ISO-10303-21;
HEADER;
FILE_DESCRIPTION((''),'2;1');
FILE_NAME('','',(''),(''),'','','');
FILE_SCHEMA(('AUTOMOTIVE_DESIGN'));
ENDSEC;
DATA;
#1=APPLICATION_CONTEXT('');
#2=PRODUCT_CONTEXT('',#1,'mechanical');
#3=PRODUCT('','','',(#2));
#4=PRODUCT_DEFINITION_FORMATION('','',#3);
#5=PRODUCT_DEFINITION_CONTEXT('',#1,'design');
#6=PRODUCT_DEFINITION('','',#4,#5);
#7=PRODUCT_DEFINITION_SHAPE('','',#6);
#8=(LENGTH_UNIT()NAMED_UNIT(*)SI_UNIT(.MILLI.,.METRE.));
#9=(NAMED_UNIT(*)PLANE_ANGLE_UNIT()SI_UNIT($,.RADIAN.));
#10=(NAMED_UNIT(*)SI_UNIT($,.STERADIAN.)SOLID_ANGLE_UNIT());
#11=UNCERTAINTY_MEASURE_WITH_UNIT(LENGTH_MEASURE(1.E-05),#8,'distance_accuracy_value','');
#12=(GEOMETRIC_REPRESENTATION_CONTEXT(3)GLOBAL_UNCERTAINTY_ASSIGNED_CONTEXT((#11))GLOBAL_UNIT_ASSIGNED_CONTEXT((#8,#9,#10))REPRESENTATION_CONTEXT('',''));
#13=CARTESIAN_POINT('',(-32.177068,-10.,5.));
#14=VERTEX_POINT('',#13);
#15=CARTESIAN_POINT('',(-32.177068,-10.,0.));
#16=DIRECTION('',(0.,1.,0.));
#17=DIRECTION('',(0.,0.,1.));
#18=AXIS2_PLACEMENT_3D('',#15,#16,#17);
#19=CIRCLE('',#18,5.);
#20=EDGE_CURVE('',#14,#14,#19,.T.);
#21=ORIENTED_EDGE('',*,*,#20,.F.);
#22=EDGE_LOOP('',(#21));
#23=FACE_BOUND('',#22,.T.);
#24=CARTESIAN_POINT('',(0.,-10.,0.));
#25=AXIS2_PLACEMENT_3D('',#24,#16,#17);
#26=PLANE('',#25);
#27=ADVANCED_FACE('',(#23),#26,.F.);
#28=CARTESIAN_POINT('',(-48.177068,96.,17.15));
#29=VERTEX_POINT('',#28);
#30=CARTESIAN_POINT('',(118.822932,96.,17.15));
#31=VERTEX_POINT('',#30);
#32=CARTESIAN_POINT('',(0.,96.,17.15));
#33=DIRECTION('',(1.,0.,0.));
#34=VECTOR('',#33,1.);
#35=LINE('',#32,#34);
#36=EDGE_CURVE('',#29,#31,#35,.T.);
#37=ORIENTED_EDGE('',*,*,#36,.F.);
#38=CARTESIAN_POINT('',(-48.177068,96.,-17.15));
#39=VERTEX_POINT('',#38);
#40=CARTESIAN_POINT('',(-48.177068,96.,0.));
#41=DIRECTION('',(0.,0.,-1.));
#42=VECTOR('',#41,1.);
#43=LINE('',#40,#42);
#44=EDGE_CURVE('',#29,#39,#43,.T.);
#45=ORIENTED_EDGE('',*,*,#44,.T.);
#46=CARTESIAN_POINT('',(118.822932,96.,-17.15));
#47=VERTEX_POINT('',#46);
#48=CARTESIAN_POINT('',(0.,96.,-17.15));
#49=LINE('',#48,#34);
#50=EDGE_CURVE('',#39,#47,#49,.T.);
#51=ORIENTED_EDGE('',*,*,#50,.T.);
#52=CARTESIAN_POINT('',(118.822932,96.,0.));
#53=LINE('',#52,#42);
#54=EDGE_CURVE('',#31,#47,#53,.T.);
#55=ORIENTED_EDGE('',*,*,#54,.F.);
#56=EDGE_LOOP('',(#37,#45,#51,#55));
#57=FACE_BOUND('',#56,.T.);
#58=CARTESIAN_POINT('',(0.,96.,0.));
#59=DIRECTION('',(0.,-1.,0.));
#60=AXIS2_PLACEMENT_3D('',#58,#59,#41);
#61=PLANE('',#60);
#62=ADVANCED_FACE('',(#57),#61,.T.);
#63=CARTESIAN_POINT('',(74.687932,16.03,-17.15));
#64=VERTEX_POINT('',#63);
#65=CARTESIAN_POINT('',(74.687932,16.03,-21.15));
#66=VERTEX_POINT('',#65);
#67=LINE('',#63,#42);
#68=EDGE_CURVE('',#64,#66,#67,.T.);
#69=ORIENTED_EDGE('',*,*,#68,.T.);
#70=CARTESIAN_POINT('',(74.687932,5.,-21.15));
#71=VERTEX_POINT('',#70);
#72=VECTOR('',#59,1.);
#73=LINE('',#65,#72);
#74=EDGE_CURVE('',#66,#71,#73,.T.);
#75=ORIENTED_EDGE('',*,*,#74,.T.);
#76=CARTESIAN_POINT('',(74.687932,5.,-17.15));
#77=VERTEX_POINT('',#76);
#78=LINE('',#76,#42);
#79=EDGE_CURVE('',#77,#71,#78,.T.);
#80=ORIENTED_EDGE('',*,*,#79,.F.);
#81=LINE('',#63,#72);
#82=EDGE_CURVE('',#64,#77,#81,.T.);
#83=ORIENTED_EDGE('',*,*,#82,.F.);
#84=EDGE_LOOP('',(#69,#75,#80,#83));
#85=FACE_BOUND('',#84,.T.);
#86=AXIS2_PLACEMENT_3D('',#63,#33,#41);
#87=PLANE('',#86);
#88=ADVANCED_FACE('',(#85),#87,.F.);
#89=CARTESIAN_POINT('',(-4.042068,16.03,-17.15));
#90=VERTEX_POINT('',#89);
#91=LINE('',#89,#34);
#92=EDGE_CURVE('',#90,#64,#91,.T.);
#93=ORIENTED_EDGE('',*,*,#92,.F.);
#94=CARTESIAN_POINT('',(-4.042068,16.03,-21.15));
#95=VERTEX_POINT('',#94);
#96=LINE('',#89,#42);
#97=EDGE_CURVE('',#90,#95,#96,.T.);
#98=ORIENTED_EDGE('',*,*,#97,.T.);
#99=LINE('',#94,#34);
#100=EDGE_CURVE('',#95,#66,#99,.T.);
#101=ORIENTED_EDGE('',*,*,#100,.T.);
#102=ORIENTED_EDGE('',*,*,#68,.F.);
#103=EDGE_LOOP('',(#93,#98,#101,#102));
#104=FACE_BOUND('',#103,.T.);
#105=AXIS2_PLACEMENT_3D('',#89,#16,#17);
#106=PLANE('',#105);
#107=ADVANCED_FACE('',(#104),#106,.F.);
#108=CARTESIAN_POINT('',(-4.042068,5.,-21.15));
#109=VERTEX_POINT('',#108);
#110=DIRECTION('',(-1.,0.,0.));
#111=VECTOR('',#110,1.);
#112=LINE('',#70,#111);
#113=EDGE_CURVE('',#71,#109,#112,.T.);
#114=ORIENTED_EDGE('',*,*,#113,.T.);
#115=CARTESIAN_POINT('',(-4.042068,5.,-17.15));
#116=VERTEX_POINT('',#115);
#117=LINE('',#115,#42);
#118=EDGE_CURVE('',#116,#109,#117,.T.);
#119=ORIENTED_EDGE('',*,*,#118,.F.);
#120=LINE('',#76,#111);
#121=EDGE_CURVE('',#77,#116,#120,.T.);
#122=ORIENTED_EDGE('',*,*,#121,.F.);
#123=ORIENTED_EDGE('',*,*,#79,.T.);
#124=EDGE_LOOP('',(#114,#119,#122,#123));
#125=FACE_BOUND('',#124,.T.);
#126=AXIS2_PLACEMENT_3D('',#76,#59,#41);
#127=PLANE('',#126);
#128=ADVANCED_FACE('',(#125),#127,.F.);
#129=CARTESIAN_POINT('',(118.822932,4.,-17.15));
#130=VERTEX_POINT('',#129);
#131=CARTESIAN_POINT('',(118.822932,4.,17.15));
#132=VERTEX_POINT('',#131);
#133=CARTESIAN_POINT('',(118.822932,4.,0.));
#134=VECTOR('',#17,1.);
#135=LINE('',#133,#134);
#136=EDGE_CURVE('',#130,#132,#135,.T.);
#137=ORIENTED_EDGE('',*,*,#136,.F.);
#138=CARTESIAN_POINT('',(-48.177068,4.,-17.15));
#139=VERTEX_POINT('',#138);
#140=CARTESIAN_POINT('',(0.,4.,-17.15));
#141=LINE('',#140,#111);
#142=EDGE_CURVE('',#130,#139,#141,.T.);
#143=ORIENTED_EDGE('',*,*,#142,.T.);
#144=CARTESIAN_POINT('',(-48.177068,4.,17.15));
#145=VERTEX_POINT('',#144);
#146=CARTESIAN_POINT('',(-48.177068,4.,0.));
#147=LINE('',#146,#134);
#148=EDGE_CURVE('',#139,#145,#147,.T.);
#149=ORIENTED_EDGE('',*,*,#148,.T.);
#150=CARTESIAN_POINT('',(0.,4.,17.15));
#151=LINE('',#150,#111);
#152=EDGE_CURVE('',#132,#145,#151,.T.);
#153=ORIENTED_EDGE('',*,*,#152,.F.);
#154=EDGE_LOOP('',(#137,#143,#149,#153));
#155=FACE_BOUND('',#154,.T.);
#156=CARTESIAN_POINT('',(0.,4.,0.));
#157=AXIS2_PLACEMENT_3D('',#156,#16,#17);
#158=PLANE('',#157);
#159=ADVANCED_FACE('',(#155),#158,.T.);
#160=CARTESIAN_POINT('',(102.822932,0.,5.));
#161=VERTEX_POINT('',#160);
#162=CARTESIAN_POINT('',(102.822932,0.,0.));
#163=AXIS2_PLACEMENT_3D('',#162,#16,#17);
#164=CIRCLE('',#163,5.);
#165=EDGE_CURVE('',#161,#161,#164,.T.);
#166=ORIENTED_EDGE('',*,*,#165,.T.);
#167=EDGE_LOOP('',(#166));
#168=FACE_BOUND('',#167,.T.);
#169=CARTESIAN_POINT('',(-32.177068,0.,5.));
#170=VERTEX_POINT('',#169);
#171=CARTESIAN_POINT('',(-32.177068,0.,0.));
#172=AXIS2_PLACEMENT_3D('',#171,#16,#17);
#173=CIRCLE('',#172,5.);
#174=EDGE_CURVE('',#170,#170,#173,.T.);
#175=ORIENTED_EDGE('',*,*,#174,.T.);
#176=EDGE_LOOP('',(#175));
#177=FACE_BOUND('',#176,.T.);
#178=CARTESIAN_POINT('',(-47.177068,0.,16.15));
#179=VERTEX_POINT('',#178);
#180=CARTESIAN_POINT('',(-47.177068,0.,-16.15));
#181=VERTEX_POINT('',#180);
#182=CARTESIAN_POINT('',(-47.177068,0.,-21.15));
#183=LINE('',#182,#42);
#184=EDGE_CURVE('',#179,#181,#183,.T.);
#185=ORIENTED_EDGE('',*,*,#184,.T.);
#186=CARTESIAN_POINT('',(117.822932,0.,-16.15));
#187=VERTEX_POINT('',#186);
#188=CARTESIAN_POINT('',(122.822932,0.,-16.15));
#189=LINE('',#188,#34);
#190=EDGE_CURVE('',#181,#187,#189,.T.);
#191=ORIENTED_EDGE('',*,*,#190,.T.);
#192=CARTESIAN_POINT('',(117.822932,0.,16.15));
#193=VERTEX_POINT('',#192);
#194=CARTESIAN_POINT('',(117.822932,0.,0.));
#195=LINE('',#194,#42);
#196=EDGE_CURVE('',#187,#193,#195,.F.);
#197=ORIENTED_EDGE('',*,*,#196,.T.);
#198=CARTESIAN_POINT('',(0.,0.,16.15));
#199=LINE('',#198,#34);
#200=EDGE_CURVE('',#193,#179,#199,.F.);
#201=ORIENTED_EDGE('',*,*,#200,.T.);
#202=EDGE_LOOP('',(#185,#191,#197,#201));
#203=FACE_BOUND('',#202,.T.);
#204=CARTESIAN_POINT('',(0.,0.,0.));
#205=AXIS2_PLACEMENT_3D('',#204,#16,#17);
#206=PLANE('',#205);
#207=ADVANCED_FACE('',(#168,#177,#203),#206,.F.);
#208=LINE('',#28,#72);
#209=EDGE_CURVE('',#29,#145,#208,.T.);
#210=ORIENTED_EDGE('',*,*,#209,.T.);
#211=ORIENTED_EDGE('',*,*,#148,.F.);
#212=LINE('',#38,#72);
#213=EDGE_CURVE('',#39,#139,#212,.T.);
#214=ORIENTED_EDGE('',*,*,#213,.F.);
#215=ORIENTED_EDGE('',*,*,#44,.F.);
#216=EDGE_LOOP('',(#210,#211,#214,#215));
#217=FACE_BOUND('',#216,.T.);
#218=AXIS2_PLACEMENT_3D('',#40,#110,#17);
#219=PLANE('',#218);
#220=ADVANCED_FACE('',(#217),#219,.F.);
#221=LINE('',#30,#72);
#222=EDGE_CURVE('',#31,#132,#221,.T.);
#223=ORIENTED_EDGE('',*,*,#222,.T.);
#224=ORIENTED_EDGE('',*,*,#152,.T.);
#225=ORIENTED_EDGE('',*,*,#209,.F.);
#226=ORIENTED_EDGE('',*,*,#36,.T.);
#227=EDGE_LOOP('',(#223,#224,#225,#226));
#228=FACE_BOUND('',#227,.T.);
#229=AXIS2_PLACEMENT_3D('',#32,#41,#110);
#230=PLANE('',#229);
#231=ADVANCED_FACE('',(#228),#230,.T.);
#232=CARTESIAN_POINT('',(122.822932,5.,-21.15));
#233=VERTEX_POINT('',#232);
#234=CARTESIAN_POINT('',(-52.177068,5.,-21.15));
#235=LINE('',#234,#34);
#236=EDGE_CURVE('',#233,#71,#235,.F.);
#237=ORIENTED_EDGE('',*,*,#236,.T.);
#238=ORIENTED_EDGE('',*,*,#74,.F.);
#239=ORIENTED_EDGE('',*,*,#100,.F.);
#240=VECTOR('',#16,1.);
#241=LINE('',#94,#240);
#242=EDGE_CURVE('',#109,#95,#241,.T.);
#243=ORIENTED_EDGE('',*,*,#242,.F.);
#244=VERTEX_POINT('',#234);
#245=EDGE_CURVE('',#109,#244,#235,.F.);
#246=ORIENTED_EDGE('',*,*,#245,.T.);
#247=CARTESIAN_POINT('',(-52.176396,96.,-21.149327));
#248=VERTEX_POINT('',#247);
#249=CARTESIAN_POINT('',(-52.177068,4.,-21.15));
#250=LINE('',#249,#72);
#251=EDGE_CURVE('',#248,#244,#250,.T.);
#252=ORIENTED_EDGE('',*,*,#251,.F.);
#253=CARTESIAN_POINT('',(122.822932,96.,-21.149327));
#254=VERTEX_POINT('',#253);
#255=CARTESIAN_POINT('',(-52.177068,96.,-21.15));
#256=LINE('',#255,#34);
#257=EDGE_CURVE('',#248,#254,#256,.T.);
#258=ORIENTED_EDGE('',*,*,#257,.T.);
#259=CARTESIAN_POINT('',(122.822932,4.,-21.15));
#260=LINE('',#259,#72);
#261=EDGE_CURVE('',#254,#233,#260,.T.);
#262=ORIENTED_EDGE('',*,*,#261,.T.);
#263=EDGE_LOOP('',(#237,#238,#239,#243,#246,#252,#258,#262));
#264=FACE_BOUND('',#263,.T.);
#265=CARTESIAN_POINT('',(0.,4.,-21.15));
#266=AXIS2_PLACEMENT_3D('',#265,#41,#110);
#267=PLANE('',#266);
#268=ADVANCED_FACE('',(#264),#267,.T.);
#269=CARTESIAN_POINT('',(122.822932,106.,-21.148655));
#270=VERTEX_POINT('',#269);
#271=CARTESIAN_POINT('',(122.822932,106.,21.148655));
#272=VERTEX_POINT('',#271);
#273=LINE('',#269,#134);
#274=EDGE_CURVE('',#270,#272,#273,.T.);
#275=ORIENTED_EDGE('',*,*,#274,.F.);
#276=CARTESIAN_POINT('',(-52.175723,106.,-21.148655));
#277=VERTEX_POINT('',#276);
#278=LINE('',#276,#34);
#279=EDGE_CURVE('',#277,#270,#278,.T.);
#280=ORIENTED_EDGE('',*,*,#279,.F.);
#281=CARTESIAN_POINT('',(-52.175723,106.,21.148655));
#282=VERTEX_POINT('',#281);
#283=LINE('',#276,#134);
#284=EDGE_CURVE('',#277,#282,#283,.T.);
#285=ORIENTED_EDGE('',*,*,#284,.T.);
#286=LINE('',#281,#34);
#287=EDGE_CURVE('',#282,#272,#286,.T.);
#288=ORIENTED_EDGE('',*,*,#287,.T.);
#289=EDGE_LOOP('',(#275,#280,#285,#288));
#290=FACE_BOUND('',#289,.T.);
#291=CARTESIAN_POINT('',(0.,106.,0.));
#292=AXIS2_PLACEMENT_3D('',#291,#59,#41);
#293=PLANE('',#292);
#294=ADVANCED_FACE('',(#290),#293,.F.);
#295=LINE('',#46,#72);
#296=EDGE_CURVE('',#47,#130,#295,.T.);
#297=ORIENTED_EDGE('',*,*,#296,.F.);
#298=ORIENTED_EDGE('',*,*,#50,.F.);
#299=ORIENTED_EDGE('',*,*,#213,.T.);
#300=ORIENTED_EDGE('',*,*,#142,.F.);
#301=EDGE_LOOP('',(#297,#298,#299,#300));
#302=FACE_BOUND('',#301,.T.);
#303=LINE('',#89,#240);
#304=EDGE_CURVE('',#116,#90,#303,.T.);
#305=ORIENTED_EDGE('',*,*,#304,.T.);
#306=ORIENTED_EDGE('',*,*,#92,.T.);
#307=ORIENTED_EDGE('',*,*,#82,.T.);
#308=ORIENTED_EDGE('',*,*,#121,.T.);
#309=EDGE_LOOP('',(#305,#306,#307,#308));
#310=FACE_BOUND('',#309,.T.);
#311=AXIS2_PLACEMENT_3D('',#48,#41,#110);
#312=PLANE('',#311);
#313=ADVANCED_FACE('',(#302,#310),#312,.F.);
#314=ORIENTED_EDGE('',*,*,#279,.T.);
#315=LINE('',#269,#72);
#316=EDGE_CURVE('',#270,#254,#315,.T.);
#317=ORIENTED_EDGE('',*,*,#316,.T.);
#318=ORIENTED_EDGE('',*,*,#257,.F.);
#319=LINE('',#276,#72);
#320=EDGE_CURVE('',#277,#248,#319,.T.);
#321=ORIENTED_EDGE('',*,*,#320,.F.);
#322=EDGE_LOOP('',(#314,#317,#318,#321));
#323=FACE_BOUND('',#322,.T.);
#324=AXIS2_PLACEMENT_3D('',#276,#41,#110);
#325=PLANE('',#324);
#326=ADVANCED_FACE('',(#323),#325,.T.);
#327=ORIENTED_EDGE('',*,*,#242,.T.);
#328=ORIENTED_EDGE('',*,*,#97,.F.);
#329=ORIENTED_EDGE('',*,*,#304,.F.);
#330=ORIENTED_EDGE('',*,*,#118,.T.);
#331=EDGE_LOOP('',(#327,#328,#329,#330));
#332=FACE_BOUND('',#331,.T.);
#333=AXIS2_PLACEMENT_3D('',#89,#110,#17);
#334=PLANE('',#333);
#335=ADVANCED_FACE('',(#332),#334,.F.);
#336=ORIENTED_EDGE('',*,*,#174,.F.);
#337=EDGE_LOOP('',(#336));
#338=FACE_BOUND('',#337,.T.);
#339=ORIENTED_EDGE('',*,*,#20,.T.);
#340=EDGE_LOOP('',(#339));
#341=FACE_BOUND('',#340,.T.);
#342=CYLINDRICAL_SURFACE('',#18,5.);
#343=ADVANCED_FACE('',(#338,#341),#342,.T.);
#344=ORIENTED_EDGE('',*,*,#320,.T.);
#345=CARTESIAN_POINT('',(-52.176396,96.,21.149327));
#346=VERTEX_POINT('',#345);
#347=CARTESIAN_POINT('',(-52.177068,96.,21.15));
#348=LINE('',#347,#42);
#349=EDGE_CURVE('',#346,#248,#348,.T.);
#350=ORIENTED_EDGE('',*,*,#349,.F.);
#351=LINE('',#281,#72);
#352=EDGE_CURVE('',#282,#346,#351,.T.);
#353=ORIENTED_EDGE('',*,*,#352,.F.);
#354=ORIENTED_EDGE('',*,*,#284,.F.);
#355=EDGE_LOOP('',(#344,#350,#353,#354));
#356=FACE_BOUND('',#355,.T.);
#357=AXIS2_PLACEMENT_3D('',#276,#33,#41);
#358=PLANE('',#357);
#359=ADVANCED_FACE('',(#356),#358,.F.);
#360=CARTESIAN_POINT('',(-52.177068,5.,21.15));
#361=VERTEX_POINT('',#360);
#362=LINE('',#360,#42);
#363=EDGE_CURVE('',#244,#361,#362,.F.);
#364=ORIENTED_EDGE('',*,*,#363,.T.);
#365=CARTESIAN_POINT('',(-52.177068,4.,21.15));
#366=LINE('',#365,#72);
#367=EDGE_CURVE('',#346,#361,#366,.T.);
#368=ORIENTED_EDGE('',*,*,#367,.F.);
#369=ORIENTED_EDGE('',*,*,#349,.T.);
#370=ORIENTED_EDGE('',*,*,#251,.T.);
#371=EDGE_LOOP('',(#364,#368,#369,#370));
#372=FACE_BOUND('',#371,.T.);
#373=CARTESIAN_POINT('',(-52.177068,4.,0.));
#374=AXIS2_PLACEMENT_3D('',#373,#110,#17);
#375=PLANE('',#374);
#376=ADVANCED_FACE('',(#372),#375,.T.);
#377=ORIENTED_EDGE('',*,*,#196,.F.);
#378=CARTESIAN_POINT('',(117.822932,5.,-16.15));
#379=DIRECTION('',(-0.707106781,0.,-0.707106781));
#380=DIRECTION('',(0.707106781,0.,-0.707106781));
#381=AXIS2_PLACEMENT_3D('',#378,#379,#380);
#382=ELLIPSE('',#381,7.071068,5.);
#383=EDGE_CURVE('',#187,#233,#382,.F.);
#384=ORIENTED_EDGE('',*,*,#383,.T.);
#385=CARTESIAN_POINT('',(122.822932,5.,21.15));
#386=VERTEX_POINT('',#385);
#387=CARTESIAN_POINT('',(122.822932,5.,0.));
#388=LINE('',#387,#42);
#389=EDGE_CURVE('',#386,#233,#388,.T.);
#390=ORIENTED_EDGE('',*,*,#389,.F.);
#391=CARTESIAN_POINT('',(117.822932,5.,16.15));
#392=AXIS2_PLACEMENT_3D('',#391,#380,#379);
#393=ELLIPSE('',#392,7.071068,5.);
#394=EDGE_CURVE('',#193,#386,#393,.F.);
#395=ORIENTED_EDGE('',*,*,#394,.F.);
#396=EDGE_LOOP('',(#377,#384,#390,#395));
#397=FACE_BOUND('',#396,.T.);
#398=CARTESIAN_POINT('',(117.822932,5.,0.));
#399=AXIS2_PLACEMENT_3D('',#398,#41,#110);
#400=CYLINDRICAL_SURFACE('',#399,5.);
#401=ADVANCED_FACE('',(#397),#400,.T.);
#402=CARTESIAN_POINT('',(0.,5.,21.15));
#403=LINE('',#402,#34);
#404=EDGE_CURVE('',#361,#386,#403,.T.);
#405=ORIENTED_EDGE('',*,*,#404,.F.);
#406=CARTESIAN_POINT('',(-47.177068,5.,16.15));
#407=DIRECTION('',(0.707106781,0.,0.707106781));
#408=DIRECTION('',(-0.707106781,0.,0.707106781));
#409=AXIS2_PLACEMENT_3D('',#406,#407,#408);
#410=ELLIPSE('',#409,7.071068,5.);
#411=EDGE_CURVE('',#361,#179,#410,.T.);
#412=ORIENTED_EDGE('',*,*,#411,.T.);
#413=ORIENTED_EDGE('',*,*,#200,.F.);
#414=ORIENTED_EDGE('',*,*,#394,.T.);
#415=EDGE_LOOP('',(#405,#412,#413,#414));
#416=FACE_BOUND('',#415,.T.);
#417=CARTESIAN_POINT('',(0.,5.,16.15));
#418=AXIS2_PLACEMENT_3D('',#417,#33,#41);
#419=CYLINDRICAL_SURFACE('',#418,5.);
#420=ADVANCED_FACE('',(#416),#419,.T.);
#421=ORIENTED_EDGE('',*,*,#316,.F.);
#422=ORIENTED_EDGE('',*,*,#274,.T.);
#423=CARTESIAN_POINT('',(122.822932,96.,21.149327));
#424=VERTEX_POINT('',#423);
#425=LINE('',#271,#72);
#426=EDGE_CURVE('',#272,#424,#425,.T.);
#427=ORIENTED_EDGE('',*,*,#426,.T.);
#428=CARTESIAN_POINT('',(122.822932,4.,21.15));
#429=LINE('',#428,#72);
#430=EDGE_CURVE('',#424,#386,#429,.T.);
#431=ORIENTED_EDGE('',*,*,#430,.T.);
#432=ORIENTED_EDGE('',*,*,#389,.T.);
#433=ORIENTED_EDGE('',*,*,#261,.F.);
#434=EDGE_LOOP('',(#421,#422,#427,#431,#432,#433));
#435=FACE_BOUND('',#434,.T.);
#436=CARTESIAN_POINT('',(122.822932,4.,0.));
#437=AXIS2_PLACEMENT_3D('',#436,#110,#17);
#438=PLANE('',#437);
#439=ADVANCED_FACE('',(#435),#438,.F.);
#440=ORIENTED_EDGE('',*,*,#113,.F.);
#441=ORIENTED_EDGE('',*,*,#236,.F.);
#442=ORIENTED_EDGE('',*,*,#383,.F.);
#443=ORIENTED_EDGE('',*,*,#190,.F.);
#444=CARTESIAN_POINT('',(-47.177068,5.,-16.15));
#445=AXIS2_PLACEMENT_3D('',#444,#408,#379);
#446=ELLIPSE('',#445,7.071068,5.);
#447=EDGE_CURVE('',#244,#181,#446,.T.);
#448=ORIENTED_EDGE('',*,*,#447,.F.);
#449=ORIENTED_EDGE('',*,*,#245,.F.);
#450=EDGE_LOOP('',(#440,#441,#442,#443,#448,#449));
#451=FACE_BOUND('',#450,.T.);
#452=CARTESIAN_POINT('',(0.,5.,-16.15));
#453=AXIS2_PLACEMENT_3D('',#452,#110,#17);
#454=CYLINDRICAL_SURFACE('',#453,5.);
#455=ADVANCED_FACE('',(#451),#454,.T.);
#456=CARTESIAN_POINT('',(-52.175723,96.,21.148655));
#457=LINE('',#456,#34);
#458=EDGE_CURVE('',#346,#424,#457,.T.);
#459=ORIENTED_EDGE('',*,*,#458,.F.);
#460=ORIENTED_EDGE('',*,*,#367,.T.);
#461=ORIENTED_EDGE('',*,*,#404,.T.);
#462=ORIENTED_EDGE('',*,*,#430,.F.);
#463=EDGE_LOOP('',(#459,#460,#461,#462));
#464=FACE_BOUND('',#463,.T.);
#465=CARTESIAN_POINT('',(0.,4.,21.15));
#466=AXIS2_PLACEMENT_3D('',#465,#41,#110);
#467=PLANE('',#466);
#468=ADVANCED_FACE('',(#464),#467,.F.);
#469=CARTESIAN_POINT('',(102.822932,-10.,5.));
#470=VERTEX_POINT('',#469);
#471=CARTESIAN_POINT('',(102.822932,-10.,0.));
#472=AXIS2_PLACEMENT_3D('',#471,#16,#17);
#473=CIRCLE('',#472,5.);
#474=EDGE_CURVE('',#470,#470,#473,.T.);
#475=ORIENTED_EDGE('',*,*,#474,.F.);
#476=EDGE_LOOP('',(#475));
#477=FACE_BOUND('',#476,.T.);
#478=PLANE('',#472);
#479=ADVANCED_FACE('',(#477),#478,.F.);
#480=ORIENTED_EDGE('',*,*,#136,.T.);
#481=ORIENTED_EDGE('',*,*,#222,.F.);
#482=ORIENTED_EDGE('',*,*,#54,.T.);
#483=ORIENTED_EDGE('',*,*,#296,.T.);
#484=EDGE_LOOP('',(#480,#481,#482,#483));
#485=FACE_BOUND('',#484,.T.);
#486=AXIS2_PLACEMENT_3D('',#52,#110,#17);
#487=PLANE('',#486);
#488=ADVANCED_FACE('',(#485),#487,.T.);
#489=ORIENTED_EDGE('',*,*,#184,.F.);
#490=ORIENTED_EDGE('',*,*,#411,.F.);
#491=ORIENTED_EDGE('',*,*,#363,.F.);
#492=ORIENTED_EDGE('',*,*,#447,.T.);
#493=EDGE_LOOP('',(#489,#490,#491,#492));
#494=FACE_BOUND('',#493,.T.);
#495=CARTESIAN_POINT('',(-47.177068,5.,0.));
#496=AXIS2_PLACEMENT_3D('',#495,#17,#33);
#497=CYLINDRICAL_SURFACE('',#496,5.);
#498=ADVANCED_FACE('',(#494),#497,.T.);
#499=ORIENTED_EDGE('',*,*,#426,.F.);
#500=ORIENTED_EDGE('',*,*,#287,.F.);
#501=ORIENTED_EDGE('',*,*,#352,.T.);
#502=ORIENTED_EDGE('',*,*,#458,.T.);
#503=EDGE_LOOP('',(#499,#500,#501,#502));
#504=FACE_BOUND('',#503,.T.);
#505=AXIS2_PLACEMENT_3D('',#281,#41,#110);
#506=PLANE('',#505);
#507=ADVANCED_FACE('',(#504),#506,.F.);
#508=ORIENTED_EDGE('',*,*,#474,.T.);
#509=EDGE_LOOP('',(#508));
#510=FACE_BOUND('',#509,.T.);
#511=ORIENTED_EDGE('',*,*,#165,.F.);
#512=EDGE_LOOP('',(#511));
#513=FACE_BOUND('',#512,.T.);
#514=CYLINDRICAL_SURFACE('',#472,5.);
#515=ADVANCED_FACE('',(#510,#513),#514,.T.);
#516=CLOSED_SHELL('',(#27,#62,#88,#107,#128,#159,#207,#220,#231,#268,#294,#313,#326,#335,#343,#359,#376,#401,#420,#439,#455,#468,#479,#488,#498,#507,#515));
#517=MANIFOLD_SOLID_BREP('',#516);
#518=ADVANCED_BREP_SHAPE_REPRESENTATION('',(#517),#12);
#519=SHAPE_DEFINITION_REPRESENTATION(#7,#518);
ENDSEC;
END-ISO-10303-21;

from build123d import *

# Parameters (mm, degrees)
SKETCH1_W           = 175
SKETCH1_H           = 42.3
BOSS_EXTRUDE1_DEPTH = 4
SKETCH1_3_W         = 175
SKETCH1_3_H         = 42.3
SKETCH1_3_W_2       = 167
SKETCH1_3_H_2       = 34.3
BOSS_EXTRUDE2_DEPTH = 96
SKETCH1_4_R         = 5
BOSS_EXTRUDE3_DEPTH = 10
FILLET1_R           = 5
SKETCH3_W           = 78.73
SKETCH3_H           = 11.03
CUT_EXTRUDE1_DEPTH  = 4
SKETCH4_W           = 174.998654926
SKETCH4_H           = 42.297309852
BOSS_EXTRUDE4_DEPTH = 10


with BuildPart() as part:
    # Sketch1 → Boss-Extrude1 (new body)
    with BuildSketch(Plane(origin=(0, 0, 0), x_dir=(1, 0, 0), z_dir=(0, 1, 0))):
        with Locations((35.322931561, 0)):
            Rectangle(SKETCH1_W, SKETCH1_H)
    extrude(amount=BOSS_EXTRUDE1_DEPTH)

    # Sketch1<3> → Boss-Extrude2 (add)
    with BuildSketch(Plane(origin=(0, 0, 0), x_dir=(1, 0, 0), z_dir=(0, 1, 0))):
        with Locations((35.322931561, 0)):
            Rectangle(SKETCH1_3_W, SKETCH1_3_H)
        with Locations((35.322931561, 0)):
            Rectangle(SKETCH1_3_W_2, SKETCH1_3_H_2, mode=Mode.SUBTRACT)
    extrude(amount=BOSS_EXTRUDE2_DEPTH)

    # Sketch1<4> → Boss-Extrude3 (add)
    with BuildSketch(Plane(origin=(0, 0, 0), x_dir=(1, 0, 0), z_dir=(0, 1, 0))):
        with Locations((-32.177068439, 0)):
            Circle(SKETCH1_4_R)
        with Locations((102.822931561, 0)):
            Circle(SKETCH1_4_R)
    extrude(amount=-BOSS_EXTRUDE3_DEPTH)

    # Fillet1
    fillet1_edges = [part.edges().sort_by_distance(p)[0] for p in [
        (35.322931561, 0, 21.15),
        (-52.177068439, 0, 0),
        (35.322931561, 0, -21.15),
        (122.822931561, 0, 0),
    ]]
    fillet(fillet1_edges, radius=FILLET1_R)

    # Sketch3 → Cut-Extrude1 (cut)
    with BuildSketch(Plane(origin=(0, 0, -21.15), x_dir=(-1, 0, 0), z_dir=(0, 0, -1))):
        with Locations((-35.322931561, 10.515)):
            Rectangle(SKETCH3_W, SKETCH3_H)
    extrude(amount=-CUT_EXTRUDE1_DEPTH, mode=Mode.SUBTRACT)

    # Sketch4 → Boss-Extrude4 (add)
    with BuildSketch(Plane(origin=(0, 96, 0), x_dir=(1, 0, 0), z_dir=(0, 1, 0))):
        with Locations((35.323604098, 0)):
            Rectangle(SKETCH4_W, SKETCH4_H)
    extrude(amount=BOSS_EXTRUDE4_DEPTH)


solid = part.part
